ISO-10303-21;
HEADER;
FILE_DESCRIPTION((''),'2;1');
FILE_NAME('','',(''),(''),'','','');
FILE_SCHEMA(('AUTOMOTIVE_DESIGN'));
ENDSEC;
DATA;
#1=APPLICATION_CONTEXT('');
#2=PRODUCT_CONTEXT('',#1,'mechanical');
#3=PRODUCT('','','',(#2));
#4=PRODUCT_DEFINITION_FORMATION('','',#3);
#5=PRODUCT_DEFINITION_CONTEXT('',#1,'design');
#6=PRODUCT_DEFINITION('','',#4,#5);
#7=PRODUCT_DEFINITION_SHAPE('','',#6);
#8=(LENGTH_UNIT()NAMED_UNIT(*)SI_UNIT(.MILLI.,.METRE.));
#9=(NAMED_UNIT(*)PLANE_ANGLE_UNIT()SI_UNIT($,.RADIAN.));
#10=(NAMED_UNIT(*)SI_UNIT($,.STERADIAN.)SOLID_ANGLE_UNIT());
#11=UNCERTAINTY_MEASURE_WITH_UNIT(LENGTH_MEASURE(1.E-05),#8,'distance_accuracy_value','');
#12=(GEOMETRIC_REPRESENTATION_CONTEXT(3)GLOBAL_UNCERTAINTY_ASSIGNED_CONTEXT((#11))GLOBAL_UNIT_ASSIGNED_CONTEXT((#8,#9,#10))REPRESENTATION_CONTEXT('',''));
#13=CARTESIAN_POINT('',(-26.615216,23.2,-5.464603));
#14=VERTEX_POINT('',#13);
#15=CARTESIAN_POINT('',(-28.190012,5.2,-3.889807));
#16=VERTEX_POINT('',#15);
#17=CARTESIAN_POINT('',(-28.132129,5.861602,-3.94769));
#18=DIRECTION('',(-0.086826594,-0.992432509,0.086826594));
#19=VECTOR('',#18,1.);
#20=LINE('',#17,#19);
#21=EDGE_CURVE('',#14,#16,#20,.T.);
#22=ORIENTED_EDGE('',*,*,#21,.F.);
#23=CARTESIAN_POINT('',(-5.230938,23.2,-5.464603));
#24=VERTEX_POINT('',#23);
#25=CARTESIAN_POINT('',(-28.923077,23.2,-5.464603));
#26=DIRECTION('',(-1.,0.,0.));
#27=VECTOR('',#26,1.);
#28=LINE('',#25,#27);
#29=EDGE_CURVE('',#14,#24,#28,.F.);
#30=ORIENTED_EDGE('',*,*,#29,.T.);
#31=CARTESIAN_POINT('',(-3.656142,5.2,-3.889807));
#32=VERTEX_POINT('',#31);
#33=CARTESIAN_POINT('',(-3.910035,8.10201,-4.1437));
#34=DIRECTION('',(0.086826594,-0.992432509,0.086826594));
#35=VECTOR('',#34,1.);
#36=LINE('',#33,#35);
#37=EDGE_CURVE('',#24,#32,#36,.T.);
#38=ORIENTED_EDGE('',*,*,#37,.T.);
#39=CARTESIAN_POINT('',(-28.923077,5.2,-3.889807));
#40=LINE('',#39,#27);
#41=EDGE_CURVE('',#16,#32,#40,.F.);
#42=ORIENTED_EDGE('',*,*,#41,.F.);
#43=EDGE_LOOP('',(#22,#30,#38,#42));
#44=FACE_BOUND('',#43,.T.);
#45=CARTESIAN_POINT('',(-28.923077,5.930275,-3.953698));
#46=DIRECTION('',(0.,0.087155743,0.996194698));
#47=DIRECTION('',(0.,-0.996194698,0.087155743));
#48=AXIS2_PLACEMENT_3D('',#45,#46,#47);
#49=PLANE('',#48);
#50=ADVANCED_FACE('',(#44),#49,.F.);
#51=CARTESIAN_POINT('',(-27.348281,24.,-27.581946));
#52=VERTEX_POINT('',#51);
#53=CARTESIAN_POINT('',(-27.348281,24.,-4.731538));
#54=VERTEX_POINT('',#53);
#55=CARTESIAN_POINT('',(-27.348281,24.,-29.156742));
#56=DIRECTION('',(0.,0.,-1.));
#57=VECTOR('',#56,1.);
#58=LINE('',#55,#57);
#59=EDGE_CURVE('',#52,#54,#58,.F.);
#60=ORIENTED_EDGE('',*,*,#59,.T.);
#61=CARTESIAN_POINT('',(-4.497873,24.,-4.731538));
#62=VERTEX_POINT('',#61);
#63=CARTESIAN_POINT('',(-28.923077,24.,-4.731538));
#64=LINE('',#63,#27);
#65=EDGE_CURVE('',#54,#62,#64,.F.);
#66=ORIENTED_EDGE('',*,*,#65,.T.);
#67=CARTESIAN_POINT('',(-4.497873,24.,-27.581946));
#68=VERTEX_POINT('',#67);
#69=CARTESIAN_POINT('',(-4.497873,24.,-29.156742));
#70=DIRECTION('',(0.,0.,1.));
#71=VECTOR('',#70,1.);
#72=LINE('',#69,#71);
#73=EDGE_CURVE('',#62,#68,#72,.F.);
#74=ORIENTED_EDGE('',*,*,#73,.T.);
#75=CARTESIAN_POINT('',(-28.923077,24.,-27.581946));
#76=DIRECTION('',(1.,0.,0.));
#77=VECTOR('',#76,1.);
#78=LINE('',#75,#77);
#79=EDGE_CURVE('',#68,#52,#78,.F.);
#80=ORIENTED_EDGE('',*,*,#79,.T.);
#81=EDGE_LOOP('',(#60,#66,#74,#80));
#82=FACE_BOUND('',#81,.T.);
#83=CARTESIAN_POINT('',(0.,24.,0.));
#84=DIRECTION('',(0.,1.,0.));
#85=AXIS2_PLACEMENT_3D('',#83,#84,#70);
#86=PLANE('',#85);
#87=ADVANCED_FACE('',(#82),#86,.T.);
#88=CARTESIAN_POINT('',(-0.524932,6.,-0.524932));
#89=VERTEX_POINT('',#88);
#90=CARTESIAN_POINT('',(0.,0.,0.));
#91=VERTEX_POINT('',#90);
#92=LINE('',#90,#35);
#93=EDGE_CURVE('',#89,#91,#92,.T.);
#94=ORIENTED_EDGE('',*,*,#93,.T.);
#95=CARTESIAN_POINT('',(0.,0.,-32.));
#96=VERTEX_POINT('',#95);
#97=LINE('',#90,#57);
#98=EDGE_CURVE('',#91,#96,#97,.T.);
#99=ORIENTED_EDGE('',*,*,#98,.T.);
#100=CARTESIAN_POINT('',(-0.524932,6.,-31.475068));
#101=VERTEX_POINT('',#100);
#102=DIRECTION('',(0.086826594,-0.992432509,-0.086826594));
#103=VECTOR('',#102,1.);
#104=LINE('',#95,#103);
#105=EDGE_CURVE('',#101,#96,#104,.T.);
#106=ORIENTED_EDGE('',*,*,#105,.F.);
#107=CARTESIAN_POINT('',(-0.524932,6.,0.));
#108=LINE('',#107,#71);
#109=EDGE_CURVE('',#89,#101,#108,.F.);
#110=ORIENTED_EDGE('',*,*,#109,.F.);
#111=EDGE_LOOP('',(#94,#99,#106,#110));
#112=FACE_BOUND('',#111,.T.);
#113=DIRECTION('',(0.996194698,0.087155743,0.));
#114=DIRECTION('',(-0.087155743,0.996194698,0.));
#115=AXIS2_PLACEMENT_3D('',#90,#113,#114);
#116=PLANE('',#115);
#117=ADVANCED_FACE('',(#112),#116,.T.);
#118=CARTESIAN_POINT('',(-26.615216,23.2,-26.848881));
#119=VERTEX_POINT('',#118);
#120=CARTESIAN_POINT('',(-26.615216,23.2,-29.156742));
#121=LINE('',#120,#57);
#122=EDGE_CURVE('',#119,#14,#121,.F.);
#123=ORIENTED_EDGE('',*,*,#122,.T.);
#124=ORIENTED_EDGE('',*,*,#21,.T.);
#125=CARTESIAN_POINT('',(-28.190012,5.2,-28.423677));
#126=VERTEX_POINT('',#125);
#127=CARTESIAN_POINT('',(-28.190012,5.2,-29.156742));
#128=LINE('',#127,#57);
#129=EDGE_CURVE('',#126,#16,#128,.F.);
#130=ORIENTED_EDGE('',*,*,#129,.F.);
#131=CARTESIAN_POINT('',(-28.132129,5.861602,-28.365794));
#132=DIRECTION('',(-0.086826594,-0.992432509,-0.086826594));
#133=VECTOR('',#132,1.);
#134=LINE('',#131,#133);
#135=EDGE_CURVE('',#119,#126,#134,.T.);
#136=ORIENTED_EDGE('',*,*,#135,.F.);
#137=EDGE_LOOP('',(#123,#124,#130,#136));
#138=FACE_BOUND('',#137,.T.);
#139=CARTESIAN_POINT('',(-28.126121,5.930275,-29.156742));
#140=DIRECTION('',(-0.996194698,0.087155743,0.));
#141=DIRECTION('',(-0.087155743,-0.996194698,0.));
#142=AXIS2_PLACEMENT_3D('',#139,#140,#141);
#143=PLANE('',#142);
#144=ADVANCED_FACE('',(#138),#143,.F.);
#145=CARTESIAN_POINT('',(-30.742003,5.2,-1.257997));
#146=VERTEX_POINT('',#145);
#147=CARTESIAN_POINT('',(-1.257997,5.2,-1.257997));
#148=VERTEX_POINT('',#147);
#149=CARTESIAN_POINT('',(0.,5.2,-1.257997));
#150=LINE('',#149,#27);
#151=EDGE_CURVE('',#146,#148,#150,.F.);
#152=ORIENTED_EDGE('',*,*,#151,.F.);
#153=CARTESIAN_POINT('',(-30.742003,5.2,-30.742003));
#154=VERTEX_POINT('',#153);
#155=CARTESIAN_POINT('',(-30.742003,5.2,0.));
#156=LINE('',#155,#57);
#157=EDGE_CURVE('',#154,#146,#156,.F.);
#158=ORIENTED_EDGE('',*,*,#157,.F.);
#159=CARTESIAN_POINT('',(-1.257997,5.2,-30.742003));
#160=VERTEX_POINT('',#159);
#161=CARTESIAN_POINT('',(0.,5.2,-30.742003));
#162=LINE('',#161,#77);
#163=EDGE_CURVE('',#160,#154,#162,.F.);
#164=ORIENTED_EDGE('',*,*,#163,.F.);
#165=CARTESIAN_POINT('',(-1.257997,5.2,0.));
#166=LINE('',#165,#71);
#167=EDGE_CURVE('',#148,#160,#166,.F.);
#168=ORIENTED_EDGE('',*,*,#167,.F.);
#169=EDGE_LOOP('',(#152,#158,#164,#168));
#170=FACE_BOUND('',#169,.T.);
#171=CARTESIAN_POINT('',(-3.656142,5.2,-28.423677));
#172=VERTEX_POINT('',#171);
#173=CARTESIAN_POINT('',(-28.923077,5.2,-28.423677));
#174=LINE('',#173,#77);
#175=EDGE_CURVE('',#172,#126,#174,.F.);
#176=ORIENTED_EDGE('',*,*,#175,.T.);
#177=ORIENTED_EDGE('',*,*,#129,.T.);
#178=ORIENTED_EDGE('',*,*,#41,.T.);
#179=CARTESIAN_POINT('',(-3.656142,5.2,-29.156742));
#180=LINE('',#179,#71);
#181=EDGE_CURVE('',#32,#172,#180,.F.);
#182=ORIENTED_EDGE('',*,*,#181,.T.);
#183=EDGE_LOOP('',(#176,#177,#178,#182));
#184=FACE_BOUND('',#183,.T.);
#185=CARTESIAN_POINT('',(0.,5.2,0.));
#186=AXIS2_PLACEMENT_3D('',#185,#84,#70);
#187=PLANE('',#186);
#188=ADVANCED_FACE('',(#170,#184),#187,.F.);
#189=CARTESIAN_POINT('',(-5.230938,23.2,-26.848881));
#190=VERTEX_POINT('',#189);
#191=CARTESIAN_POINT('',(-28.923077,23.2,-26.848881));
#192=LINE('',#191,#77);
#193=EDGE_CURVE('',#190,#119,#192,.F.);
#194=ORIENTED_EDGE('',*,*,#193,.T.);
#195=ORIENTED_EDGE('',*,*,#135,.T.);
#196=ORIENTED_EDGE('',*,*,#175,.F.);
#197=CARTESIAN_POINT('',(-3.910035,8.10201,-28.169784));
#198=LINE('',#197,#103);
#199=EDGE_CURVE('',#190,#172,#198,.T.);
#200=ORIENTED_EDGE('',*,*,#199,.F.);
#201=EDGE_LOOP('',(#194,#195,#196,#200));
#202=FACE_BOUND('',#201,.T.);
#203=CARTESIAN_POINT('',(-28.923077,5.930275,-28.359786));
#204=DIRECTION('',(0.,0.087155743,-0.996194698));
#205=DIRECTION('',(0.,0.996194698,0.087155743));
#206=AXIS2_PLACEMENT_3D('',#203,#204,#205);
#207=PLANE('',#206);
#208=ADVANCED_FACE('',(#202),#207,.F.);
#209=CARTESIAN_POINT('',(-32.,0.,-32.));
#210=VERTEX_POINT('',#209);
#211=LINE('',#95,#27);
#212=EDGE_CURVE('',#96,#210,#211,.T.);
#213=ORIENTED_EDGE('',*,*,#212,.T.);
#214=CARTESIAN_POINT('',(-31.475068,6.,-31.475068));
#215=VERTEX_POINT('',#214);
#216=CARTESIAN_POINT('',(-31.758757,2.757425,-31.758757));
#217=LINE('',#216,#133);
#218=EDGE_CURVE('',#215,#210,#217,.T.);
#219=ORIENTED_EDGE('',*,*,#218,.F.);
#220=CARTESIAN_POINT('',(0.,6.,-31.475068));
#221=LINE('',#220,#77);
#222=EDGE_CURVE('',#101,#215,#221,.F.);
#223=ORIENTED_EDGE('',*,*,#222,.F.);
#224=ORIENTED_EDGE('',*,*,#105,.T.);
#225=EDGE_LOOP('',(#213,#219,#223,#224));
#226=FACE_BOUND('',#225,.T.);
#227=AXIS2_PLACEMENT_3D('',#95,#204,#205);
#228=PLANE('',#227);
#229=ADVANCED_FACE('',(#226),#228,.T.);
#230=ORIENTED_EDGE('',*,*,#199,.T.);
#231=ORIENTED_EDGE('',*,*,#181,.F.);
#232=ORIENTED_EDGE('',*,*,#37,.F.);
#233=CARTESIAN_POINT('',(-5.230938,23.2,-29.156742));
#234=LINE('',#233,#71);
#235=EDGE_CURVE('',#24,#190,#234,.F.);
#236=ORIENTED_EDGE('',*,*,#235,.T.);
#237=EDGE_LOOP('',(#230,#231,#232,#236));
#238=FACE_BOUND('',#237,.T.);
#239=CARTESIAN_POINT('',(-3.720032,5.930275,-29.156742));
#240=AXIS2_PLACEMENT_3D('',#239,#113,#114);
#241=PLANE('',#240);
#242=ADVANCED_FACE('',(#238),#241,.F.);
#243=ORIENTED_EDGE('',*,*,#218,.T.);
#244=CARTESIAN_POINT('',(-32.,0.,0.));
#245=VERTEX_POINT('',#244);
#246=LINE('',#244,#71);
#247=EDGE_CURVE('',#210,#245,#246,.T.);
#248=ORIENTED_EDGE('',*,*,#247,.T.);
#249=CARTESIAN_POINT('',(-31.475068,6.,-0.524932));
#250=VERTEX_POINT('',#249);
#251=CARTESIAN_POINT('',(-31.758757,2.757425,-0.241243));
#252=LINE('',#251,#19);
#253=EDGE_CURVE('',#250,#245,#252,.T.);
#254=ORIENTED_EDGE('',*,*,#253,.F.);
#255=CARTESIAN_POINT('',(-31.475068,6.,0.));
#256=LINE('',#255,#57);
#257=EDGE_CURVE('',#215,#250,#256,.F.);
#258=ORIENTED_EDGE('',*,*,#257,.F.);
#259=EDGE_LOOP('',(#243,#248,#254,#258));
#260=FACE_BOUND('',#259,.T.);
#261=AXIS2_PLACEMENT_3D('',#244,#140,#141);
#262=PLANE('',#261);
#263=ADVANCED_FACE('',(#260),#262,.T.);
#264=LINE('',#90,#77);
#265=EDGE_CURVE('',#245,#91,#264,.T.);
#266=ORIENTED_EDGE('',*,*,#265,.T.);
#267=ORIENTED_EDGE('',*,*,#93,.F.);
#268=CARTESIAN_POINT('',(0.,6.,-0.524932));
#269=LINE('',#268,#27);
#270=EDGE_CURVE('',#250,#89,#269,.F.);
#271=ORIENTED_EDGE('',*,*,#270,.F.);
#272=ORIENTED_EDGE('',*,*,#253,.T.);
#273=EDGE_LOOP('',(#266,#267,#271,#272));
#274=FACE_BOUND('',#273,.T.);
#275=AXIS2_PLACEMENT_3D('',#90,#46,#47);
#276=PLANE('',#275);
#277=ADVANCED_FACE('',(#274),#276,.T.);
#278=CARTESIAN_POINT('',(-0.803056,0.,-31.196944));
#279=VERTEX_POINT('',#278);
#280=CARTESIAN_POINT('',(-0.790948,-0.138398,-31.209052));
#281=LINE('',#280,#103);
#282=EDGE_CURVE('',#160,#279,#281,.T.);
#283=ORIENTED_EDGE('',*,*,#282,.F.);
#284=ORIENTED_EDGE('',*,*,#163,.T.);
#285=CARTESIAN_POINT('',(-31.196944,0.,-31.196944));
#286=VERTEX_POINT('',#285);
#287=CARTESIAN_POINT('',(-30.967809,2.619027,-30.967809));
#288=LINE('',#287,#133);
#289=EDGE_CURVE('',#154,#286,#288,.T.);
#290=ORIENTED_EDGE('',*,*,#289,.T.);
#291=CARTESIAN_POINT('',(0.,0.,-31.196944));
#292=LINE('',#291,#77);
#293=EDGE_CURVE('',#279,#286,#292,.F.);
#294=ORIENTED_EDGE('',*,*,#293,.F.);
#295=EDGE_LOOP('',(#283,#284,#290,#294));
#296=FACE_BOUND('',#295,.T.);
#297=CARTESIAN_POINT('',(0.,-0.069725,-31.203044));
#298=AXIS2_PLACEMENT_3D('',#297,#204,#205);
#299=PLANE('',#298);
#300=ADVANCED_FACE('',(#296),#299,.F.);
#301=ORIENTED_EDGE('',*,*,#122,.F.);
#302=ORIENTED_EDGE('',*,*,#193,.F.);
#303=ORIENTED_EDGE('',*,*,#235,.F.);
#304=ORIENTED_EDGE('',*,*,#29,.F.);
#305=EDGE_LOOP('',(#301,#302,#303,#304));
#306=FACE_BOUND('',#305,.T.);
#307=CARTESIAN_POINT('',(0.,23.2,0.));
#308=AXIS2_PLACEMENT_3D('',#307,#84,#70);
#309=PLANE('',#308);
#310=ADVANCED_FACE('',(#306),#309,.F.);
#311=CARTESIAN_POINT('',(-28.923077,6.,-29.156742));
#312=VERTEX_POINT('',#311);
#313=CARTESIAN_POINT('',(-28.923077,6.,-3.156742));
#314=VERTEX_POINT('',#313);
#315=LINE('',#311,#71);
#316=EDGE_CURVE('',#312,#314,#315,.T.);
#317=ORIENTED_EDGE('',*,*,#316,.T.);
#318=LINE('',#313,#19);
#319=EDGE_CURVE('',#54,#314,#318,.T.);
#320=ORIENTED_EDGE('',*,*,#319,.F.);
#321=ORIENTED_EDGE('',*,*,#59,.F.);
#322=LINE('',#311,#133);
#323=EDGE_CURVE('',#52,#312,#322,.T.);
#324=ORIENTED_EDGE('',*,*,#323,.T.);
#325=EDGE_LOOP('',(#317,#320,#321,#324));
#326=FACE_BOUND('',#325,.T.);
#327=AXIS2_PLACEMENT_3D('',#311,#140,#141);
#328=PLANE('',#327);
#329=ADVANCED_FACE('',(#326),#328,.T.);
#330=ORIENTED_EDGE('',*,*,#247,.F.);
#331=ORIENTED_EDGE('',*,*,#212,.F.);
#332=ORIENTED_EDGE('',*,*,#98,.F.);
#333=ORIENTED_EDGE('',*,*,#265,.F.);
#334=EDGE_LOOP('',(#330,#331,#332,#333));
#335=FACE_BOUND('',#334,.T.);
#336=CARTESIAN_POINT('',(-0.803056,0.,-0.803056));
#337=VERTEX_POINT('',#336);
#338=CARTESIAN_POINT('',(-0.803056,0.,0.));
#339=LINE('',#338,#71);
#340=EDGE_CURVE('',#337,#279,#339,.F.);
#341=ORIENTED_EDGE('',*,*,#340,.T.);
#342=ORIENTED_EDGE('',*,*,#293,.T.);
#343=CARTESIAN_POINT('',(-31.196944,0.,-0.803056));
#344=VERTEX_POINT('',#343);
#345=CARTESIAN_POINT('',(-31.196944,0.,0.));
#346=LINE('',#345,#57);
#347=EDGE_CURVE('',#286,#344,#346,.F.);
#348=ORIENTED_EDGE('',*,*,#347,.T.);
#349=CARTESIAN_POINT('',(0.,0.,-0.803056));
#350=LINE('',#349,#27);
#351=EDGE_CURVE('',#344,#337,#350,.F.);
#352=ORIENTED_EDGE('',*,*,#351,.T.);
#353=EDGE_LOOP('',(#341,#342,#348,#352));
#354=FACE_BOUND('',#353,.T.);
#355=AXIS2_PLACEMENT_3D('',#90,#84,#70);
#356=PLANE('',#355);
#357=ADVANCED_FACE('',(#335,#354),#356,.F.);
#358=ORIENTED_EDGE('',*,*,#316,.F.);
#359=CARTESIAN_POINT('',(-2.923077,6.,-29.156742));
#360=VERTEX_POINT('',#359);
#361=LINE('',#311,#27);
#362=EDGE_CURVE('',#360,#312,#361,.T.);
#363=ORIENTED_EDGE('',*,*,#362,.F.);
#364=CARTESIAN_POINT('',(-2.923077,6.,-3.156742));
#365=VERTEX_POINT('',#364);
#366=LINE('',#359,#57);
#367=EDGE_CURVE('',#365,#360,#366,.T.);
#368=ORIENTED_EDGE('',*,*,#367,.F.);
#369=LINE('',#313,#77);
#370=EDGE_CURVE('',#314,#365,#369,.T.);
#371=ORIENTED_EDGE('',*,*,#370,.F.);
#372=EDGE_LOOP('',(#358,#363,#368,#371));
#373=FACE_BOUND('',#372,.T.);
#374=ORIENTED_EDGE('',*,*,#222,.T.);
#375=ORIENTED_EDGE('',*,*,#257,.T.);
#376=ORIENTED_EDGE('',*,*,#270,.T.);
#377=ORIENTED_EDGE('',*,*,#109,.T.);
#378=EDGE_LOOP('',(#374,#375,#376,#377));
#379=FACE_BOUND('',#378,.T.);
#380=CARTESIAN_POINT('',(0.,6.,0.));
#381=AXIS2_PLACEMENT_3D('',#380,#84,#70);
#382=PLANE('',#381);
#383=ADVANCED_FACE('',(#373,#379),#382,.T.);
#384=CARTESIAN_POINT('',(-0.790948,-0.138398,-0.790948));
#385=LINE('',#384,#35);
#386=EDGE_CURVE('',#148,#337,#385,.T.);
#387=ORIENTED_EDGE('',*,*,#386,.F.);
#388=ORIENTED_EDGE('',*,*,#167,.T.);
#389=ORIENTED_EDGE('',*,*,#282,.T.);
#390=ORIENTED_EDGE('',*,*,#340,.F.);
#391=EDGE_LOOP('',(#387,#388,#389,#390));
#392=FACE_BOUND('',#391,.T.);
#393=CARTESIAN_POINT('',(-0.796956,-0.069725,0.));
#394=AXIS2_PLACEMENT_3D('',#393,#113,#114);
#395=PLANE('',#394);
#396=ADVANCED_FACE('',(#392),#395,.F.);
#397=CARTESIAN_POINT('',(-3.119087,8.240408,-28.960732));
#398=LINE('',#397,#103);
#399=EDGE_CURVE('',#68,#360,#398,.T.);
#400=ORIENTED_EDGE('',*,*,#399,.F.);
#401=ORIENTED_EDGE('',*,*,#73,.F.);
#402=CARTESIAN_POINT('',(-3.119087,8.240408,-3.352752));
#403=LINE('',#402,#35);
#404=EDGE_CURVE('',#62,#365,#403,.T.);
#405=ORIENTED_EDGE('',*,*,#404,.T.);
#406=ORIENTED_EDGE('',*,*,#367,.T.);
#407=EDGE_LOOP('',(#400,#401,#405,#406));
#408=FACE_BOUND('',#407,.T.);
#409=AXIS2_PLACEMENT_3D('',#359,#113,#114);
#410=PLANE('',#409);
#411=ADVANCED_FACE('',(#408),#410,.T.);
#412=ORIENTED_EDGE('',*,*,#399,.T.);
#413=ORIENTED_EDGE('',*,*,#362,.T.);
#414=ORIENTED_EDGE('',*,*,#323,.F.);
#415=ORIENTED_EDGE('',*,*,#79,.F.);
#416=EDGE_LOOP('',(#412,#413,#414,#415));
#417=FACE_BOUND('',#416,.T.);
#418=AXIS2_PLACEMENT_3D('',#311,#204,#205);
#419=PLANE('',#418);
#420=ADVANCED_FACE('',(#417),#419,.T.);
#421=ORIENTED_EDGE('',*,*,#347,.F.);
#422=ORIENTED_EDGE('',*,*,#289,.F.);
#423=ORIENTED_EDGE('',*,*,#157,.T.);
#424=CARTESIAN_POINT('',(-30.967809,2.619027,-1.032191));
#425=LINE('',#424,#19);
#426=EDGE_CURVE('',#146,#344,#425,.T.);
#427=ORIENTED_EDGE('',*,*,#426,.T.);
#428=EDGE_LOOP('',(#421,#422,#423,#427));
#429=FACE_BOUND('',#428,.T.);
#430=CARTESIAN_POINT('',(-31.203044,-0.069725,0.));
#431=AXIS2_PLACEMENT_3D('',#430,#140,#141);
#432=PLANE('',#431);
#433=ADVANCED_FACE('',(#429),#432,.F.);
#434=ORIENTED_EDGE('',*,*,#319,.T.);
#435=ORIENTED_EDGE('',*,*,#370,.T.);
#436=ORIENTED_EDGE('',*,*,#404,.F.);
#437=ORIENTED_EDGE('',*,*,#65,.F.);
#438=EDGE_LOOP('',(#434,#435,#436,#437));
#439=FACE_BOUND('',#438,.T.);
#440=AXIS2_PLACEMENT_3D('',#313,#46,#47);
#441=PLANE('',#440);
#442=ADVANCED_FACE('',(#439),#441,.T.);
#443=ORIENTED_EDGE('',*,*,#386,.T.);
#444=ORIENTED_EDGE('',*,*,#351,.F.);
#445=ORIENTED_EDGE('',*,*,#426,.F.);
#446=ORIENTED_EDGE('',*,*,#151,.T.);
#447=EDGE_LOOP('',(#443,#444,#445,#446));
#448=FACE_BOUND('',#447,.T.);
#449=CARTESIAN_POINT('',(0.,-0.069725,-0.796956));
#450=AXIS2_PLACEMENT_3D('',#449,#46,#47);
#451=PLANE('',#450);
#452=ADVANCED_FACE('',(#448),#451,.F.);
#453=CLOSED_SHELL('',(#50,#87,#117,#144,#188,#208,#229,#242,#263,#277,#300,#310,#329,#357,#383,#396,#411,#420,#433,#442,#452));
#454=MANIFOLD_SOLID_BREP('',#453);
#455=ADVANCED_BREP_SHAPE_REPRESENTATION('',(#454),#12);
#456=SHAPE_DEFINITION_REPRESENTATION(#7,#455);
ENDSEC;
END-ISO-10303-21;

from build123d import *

# Parameters (mm, degrees)
SKETCH1_W           = 32
SKETCH1_H           = 32
BOSS_EXTRUDE1_DEPTH = 6
BOSS_EXTRUDE1_TAPER = 5
SKETCH2_W           = 26
SKETCH2_H           = 26
BOSS_EXTRUDE2_DEPTH = 18
BOSS_EXTRUDE2_TAPER = 5
SHELL1_T            = -0.8


with BuildPart() as part:
    # Sketch1 → Boss-Extrude1 (new body)
    with BuildSketch(Plane(origin=(0, 0, 0), x_dir=(1, 0, 0), z_dir=(0, 1, 0))):
        with Locations((-16, 16)):
            Rectangle(SKETCH1_W, SKETCH1_H)
    extrude(amount=BOSS_EXTRUDE1_DEPTH, taper=BOSS_EXTRUDE1_TAPER)

    # Sketch2 → Boss-Extrude2 (add)
    with BuildSketch(Plane(origin=(0, 6, 0), x_dir=(1, 0, 0), z_dir=(0, 1, 0))):
        with Locations((-15.92307672, 16.156742102)):
            Rectangle(SKETCH2_W, SKETCH2_H)
    extrude(amount=BOSS_EXTRUDE2_DEPTH, taper=BOSS_EXTRUDE2_TAPER)

    # Shell1
    shell1_openings = [part.faces().sort_by_distance(p)[0] for p in [
        (-16, 0, -16),
    ]]
    offset(amount=SHELL1_T, openings=shell1_openings, kind=Kind.INTERSECTION)


solid = part.part
